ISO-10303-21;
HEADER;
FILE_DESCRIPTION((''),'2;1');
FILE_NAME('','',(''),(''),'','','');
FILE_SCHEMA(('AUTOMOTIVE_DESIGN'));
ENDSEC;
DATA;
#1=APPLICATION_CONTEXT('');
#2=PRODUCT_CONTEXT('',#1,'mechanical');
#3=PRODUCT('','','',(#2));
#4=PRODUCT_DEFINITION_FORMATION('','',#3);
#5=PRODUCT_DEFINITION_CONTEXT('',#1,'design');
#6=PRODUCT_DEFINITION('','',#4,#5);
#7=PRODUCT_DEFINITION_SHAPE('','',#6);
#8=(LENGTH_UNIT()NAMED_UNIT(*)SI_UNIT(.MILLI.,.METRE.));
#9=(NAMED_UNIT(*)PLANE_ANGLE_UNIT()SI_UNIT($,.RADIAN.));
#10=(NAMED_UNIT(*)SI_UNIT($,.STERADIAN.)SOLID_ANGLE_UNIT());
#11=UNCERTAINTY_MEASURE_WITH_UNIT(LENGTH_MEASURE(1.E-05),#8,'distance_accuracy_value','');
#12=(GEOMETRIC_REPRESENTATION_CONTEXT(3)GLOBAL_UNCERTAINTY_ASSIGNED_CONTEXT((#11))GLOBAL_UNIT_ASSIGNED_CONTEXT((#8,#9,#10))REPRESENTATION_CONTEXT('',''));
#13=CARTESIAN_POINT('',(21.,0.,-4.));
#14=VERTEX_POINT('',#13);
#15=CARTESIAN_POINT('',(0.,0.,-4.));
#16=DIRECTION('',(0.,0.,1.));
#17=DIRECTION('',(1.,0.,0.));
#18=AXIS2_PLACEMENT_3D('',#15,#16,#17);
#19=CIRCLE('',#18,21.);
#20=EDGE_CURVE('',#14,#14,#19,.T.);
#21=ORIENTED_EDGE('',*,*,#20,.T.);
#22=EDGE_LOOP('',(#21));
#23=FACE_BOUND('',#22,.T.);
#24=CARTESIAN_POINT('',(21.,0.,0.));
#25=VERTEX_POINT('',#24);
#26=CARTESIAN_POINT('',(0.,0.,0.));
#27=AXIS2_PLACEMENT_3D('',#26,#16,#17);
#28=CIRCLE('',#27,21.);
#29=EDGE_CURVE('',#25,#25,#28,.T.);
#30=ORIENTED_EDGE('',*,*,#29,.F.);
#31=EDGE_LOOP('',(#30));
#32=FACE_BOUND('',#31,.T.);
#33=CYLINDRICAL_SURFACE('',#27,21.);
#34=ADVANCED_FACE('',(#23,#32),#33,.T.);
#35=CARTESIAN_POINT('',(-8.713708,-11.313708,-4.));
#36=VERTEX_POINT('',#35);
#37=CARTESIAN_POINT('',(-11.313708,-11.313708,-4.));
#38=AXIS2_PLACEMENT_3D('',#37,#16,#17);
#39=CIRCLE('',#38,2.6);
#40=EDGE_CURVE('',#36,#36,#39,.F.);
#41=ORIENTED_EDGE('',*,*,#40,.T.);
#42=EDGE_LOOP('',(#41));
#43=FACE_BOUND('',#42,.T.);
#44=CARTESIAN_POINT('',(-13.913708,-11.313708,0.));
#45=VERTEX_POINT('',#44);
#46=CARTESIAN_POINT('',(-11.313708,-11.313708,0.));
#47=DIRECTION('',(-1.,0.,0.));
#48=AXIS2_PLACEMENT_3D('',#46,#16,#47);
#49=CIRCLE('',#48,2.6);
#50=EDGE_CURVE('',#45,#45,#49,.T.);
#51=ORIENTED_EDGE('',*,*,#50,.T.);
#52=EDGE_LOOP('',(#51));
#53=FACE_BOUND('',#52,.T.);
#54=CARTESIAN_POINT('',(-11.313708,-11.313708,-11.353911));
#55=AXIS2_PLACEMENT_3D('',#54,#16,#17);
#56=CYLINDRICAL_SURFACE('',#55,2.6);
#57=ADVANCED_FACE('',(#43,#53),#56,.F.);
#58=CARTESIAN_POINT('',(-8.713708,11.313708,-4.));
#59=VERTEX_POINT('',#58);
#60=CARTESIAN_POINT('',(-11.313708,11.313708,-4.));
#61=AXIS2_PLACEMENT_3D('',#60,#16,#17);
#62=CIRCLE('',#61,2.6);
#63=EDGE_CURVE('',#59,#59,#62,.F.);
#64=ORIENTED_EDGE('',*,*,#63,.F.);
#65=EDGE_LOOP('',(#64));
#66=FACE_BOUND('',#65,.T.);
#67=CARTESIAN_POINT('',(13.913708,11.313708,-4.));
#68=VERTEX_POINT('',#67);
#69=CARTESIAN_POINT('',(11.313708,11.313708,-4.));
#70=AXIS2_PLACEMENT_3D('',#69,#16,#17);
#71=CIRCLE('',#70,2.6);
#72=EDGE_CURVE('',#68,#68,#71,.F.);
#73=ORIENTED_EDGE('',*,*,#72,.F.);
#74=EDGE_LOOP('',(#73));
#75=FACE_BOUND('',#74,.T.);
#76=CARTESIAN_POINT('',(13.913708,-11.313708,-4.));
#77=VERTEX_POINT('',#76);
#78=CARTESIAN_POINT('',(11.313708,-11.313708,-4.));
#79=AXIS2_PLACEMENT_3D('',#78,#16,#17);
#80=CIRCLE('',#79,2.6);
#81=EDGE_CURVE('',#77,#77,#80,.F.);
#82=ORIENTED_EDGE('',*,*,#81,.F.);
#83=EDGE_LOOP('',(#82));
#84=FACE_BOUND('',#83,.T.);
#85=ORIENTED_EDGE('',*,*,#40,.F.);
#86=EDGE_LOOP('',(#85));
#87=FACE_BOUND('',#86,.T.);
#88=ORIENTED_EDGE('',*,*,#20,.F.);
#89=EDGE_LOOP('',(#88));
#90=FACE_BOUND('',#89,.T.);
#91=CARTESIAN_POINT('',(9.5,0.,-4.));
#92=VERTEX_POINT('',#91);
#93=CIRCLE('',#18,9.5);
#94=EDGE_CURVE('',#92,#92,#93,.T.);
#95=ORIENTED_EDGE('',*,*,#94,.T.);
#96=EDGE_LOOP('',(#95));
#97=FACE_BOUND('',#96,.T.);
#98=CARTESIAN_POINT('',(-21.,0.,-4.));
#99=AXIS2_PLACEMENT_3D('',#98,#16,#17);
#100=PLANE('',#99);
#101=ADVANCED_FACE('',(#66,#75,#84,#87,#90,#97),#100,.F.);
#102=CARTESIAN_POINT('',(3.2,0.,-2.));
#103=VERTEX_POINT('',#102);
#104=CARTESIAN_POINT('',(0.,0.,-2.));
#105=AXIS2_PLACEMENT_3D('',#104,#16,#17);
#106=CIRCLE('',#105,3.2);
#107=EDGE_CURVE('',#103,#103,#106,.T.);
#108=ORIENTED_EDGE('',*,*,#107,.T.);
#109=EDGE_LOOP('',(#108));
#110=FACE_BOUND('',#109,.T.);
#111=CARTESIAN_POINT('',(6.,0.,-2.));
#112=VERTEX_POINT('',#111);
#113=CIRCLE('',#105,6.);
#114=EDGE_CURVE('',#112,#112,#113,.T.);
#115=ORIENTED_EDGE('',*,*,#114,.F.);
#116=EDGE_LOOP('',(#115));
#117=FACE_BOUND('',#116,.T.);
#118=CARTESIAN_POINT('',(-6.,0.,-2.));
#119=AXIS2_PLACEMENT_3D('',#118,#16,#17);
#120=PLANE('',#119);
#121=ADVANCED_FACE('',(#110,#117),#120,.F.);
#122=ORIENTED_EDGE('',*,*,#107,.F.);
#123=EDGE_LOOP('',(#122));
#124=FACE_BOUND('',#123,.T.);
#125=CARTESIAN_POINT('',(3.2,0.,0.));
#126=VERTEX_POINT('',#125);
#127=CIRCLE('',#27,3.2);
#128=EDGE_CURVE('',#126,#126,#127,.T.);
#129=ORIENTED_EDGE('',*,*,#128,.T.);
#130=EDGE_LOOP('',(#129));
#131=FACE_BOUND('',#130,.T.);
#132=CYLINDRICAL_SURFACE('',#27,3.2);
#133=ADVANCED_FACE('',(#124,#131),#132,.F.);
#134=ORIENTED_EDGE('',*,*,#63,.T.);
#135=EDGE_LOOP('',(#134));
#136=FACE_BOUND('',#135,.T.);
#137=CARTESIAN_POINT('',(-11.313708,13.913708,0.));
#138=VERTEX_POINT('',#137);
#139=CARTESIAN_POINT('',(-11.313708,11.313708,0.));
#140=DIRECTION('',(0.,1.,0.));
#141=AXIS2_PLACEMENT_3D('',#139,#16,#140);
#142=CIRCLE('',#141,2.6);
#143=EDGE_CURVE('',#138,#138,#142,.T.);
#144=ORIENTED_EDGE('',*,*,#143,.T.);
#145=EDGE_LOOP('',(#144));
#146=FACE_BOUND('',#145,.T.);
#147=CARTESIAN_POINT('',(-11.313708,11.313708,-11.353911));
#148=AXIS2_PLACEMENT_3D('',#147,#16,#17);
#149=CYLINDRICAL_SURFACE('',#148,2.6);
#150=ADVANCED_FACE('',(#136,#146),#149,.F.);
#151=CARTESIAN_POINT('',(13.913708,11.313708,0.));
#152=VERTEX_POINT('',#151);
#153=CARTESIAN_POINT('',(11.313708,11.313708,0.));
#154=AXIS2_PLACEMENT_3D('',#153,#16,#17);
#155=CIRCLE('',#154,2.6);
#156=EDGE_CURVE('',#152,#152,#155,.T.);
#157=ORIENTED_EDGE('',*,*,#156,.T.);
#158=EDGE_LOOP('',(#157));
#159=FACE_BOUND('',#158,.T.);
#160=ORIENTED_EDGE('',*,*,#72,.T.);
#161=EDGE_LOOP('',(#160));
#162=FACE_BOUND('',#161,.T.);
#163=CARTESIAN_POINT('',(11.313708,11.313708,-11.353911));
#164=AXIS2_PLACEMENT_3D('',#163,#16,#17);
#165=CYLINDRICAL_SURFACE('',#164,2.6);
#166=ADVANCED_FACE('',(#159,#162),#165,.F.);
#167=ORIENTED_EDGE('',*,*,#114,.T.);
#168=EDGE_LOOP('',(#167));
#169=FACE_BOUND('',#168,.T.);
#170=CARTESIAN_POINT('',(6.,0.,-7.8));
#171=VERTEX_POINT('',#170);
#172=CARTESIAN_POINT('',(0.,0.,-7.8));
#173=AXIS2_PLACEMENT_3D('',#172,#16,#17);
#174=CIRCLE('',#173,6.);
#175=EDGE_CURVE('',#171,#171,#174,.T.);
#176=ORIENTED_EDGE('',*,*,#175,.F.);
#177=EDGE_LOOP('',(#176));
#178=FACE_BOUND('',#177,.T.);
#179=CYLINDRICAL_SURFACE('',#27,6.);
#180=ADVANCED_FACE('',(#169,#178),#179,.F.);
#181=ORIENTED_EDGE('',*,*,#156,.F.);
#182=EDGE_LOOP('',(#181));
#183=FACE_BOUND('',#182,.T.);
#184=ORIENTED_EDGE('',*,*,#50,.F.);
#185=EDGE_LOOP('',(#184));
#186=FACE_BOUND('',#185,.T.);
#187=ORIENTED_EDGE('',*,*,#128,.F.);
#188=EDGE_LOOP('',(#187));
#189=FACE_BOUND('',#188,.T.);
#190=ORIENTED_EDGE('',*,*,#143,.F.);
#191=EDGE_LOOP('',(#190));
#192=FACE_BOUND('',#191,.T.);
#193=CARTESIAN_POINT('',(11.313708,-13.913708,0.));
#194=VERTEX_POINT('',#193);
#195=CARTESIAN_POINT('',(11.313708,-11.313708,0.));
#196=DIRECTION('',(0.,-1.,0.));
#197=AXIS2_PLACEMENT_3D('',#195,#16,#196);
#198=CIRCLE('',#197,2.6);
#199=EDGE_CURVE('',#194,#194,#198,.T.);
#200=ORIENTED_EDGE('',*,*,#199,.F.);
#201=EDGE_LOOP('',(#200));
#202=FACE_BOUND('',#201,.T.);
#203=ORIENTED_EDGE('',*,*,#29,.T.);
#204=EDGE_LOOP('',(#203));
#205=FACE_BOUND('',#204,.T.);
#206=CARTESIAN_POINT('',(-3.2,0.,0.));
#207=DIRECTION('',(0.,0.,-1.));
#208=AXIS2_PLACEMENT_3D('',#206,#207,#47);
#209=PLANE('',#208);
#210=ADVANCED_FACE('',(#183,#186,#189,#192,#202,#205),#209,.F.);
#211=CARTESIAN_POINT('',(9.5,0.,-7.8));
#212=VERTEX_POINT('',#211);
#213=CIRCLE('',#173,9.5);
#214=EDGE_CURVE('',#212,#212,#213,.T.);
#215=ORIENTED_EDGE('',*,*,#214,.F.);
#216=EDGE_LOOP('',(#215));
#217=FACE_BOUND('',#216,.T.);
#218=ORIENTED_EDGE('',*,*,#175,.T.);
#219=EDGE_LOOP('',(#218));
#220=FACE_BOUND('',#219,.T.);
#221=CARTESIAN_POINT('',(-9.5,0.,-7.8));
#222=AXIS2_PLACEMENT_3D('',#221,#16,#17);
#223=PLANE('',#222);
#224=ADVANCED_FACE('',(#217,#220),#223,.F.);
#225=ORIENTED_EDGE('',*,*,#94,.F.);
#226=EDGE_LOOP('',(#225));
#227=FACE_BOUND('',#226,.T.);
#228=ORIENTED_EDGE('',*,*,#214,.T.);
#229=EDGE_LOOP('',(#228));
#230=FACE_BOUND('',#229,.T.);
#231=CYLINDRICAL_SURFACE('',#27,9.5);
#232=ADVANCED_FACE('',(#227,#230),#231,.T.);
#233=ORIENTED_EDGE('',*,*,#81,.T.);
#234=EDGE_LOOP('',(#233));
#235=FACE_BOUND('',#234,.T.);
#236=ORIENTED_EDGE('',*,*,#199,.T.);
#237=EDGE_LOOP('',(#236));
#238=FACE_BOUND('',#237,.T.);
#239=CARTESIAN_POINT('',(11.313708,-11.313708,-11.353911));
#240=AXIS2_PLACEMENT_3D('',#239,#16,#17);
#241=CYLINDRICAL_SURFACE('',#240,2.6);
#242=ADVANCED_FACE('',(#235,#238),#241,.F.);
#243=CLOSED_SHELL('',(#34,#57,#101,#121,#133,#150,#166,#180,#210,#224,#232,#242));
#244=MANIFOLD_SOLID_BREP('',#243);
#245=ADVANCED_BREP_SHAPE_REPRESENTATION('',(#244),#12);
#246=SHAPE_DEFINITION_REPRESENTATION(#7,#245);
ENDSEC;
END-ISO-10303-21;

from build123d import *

# Parameters (mm, degrees)
SKETCH_2_R               = 2.6
CUT_EXTRUDE_1_DEPTH      = 4
PATTERN_CIRCULAR_1_COUNT = 4


with BuildPart() as part:
    # Эскиз1 → Повернуть1 (revolve)
    with BuildSketch(Plane(origin=(0, 0, 0), x_dir=(1, 0, 0), z_dir=(0, 1, 0)), mode=Mode.PRIVATE) as revolve_1_sk:
        Polygon((-3.2, 0), (-21, 0), (-21, 4), (-9.5, 4), (-9.5, 7.8), (-6, 7.8), (-6, 2), (-3.2, 2), align=None)
    revolve(revolve_1_sk.sketch.rotate(Axis((0, 0, 0), (0, 0, -1)), 180), axis=Axis((0, 0, 0), (0, 0, -1)))

    # Эскиз2 → Вырез-Вытянуть1 (cut)
    with BuildSketch(Plane.XY):
        with Locations((11.313708499, 11.313708499)):
            Circle(SKETCH_2_R)
    cut_extrude_1 = extrude(amount=-CUT_EXTRUDE_1_DEPTH, mode=Mode.SUBTRACT)

    # Круговой массив1: Вырез-Вытянуть1 ×4 about axis
    pattern_circular_1_axis = Axis((0, 0, 0), (0, 0, 1))
    for i in range(1, PATTERN_CIRCULAR_1_COUNT):
        add(cut_extrude_1.rotate(pattern_circular_1_axis, i * 360 / PATTERN_CIRCULAR_1_COUNT), mode=Mode.SUBTRACT)


solid = part.part
